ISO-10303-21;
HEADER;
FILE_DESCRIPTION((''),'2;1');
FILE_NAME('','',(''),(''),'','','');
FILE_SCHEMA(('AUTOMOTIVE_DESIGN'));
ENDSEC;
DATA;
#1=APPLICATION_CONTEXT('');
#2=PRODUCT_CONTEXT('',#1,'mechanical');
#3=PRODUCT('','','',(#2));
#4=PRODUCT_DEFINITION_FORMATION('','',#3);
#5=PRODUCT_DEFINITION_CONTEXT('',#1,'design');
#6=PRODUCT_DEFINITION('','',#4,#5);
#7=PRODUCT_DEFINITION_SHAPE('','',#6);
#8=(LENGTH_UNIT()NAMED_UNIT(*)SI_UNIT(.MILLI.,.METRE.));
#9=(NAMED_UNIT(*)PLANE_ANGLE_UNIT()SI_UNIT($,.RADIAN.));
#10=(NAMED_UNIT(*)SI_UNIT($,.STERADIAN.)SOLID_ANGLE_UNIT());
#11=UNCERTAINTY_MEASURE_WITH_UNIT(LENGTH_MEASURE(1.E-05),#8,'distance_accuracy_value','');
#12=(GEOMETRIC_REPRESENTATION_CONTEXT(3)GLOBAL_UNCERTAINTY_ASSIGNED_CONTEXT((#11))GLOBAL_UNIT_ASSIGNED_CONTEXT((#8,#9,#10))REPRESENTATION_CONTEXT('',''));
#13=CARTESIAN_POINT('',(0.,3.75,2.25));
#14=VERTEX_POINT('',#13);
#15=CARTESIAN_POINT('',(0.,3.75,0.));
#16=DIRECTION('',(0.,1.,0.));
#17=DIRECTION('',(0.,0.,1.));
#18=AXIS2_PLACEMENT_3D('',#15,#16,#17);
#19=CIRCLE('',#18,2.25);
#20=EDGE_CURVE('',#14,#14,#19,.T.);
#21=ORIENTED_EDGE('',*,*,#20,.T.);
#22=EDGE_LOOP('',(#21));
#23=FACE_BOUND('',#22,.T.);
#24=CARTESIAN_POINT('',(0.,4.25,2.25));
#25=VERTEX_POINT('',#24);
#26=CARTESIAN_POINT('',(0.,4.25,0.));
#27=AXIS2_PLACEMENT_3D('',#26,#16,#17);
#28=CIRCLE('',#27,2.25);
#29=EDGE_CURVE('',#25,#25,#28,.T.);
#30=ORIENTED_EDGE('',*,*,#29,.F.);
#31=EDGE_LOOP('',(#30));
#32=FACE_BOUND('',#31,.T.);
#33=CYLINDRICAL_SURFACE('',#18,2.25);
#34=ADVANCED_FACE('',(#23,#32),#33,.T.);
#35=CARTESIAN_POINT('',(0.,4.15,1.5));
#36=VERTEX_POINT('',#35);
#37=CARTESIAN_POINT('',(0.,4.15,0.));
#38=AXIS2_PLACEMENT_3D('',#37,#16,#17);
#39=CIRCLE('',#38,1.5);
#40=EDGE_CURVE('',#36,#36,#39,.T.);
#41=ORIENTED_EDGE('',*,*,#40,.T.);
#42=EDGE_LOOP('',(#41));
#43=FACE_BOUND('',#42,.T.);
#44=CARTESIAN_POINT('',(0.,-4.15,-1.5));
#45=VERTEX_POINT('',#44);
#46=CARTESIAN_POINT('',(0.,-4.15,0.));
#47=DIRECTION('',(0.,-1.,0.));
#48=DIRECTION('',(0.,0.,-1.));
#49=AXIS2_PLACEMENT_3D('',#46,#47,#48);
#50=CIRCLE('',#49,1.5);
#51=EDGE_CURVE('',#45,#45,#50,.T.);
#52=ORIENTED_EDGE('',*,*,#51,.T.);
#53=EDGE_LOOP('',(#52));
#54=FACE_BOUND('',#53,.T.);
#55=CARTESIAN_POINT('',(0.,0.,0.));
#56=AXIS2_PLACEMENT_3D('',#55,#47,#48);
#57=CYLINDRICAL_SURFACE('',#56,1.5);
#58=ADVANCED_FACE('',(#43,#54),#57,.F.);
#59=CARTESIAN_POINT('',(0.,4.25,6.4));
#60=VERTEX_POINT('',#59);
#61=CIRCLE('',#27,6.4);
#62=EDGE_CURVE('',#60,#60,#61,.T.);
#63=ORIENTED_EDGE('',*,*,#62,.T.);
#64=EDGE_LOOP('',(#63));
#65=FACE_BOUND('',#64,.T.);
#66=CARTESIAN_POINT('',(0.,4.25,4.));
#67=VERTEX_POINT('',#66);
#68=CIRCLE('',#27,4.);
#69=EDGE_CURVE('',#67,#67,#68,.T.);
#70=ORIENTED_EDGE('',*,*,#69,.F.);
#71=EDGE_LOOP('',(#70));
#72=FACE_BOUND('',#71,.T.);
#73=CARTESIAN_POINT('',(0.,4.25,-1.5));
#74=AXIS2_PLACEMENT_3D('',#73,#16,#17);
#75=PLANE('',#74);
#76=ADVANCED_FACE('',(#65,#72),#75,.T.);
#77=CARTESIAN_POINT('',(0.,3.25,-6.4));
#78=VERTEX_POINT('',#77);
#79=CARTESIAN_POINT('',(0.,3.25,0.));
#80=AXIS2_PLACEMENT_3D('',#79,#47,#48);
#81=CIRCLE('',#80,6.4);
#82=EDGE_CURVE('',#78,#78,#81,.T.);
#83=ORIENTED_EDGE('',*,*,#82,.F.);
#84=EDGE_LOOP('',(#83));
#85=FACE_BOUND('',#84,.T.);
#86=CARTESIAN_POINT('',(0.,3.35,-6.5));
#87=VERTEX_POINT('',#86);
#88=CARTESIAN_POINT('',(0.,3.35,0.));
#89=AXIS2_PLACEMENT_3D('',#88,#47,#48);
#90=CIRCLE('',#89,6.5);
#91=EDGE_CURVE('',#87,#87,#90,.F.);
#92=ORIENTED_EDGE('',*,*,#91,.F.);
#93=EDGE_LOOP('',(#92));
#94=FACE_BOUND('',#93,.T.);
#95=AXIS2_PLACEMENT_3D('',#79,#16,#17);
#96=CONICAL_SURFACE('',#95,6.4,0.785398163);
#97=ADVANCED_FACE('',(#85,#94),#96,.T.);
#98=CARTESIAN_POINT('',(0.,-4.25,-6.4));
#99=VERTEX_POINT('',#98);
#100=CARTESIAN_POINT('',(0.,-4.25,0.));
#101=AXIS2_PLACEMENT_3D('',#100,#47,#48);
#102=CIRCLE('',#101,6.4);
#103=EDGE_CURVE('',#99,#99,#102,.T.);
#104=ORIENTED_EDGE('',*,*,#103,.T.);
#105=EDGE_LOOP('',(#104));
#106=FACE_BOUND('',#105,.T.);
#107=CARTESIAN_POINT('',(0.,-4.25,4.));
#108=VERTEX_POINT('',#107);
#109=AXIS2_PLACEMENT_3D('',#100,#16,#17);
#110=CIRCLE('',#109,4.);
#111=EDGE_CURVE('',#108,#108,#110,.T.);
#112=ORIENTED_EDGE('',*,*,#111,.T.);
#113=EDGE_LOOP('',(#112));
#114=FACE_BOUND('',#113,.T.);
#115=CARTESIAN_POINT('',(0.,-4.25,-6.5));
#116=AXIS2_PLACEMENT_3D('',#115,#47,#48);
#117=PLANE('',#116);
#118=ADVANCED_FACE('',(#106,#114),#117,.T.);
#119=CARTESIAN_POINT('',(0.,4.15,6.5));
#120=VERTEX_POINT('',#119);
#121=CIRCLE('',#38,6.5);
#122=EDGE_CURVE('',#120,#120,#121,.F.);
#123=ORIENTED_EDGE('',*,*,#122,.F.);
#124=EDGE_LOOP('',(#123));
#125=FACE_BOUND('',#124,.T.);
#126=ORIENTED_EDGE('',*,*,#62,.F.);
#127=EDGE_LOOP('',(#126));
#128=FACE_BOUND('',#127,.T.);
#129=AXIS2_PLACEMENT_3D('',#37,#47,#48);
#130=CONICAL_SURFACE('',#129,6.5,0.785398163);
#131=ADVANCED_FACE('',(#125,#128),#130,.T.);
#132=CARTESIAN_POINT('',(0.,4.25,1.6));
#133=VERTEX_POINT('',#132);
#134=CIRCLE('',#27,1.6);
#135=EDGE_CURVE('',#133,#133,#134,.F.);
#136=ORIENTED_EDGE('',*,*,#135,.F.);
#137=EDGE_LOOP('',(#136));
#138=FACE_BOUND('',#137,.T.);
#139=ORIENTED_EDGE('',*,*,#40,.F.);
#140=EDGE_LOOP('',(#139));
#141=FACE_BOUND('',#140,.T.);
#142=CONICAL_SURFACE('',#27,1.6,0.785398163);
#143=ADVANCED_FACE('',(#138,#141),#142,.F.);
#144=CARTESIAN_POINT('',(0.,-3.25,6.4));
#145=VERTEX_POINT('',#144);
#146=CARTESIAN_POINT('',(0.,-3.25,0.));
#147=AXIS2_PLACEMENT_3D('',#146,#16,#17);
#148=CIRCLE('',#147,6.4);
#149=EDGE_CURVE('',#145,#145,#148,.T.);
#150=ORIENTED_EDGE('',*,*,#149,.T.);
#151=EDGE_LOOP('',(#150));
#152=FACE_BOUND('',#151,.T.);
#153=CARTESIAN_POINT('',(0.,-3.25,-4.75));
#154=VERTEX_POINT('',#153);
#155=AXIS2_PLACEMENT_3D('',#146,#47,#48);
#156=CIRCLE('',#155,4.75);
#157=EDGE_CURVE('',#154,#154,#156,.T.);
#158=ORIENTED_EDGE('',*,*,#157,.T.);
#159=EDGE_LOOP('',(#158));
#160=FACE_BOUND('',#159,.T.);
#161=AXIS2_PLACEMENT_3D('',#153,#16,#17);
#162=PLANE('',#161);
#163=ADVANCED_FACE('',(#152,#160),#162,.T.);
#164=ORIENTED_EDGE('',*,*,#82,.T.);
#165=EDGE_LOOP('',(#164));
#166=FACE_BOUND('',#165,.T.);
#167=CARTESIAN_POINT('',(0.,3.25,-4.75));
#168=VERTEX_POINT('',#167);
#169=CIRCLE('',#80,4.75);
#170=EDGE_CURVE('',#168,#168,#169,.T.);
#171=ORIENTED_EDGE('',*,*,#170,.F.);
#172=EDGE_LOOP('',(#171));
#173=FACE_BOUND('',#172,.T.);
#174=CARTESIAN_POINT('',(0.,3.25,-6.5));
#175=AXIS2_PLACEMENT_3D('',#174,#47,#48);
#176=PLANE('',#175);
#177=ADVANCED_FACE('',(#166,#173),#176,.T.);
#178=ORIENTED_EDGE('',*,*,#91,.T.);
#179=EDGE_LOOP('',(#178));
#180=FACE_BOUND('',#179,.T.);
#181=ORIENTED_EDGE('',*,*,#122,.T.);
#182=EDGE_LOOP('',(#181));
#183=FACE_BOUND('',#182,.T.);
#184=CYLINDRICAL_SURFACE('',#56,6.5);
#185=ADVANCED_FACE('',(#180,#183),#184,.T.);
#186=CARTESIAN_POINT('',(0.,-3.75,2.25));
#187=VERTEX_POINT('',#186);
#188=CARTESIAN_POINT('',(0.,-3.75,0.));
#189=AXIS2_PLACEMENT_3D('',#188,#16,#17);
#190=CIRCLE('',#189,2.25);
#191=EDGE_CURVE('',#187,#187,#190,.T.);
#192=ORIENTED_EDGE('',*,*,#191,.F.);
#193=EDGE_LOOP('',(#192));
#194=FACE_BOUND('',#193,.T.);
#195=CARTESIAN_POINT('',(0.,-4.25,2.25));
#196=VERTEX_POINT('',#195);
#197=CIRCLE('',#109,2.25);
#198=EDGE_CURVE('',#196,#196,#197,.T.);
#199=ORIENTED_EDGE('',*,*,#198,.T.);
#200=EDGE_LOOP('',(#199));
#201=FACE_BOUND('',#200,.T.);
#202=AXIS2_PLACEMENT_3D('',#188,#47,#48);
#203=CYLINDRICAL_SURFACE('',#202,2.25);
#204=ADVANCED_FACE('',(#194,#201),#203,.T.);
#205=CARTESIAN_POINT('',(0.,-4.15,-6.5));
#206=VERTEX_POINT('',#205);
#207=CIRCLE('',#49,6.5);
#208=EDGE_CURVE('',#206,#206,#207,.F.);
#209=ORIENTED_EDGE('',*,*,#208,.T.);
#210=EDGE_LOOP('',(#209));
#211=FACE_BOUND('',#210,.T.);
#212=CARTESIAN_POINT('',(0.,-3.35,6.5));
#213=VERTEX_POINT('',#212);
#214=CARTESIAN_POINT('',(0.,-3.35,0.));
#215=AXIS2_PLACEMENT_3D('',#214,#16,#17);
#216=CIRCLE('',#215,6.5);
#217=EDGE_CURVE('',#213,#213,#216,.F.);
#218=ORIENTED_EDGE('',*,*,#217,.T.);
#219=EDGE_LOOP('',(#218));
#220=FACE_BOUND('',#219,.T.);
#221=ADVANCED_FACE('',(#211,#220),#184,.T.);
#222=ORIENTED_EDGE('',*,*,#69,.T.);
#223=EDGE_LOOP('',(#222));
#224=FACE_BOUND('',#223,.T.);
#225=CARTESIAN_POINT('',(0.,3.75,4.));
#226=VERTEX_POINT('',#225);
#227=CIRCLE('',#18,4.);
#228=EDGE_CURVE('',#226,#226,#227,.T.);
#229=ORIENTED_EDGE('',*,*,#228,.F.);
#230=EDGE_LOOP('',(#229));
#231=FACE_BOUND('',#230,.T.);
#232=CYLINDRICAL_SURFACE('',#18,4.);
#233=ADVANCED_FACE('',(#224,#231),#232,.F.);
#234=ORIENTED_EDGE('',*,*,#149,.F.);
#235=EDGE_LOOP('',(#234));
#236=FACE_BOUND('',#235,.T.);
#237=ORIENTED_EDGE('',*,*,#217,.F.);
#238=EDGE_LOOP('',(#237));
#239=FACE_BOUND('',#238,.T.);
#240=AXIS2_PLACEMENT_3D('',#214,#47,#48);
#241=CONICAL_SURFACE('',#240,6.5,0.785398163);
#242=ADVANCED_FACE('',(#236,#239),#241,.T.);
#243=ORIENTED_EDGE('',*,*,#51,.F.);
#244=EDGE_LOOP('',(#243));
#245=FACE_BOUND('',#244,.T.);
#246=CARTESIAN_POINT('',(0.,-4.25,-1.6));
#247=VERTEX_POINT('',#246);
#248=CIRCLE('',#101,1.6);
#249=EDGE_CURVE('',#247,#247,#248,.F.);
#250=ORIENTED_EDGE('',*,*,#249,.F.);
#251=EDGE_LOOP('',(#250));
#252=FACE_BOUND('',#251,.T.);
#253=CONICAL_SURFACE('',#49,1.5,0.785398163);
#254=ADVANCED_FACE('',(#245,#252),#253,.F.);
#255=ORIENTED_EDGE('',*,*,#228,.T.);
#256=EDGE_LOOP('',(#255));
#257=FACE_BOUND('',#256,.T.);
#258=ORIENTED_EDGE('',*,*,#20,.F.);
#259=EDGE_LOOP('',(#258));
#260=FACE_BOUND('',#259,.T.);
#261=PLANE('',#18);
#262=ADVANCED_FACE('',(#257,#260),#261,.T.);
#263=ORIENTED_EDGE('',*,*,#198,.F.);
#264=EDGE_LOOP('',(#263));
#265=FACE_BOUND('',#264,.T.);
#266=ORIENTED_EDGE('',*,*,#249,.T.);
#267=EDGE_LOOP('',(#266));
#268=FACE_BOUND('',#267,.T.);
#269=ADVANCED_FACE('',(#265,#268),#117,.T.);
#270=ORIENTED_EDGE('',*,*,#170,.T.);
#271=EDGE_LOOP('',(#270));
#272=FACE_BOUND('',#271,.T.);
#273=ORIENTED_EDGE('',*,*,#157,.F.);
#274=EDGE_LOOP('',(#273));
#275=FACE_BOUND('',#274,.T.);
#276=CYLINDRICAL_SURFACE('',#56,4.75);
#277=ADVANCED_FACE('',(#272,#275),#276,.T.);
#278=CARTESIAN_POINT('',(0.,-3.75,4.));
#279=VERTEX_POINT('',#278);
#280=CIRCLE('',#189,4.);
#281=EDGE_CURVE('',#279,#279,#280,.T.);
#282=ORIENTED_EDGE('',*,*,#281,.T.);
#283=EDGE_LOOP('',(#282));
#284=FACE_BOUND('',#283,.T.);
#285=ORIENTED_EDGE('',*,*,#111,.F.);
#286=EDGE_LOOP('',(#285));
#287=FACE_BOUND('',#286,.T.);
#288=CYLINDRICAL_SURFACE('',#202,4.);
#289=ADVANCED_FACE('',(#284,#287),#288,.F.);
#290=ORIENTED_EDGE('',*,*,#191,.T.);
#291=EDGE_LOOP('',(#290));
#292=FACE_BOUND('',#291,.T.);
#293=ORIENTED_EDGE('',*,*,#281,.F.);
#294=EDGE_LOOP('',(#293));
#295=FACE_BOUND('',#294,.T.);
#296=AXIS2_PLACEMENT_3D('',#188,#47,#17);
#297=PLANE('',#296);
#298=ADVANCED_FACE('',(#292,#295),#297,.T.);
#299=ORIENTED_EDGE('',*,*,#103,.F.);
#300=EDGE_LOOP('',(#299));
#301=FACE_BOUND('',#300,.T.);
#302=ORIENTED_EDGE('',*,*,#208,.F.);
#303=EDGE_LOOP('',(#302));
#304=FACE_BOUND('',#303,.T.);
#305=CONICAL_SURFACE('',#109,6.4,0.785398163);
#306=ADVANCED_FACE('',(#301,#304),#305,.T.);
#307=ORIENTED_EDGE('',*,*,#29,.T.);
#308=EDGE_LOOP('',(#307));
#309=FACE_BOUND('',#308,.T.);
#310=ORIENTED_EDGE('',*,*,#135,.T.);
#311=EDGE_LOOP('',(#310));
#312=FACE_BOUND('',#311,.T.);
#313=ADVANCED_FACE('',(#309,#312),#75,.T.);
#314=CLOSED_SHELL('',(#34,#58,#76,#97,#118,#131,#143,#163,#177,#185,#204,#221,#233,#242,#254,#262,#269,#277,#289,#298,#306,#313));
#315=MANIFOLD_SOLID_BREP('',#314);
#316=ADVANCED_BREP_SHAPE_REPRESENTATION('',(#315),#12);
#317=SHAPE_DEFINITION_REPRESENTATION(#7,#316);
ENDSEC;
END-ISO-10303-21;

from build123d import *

# Parameters (mm, degrees)
CHAMFER1_SIZE      = 0.1
SKETCH2_R          = 4
SKETCH2_R_2        = 2.25
CUT_EXTRUDE1_DEPTH = 0.5


with BuildPart() as part:
    # Sketch1 → Revolve1 (revolve)
    with BuildSketch(Plane(origin=(0, 0, 0), x_dir=(0, 0, -1), z_dir=(1, 0, 0))):
        Polygon((1.5, -4.25), (1.5, 4.25), (6.5, 4.25), (6.5, 3.25), (4.75, 3.25), (4.75, -3.25), (6.5, -3.25), (6.5, -4.25), align=None)
    revolve(axis=Axis((0, 0, 0), (0, 1, 0)))

    # Chamfer1
    chamfer1_edges = [part.edges().sort_by_distance(p)[0] for p in [
        (0, -4.25, 1.5),
        (0, -4.25, 6.5),
        (0, -3.25, 6.5),
        (0, 3.25, 6.5),
        (0, 4.25, 6.5),
        (0, 4.25, 1.5),
    ]]
    chamfer(chamfer1_edges, length=CHAMFER1_SIZE)

    # Sketch2 → Cut-Extrude1 (cut)
    with BuildSketch(Plane(origin=(0, 4.25, 0), x_dir=(1, 0, 0), z_dir=(0, 1, 0))):
        Circle(SKETCH2_R)
        Circle(SKETCH2_R_2, mode=Mode.SUBTRACT)
    cut_extrude1 = extrude(amount=-CUT_EXTRUDE1_DEPTH, mode=Mode.SUBTRACT)

    # Mirror1: Cut-Extrude1 across plane
    add(cut_extrude1.mirror(Plane.ZX), mode=Mode.SUBTRACT)


solid = part.part
